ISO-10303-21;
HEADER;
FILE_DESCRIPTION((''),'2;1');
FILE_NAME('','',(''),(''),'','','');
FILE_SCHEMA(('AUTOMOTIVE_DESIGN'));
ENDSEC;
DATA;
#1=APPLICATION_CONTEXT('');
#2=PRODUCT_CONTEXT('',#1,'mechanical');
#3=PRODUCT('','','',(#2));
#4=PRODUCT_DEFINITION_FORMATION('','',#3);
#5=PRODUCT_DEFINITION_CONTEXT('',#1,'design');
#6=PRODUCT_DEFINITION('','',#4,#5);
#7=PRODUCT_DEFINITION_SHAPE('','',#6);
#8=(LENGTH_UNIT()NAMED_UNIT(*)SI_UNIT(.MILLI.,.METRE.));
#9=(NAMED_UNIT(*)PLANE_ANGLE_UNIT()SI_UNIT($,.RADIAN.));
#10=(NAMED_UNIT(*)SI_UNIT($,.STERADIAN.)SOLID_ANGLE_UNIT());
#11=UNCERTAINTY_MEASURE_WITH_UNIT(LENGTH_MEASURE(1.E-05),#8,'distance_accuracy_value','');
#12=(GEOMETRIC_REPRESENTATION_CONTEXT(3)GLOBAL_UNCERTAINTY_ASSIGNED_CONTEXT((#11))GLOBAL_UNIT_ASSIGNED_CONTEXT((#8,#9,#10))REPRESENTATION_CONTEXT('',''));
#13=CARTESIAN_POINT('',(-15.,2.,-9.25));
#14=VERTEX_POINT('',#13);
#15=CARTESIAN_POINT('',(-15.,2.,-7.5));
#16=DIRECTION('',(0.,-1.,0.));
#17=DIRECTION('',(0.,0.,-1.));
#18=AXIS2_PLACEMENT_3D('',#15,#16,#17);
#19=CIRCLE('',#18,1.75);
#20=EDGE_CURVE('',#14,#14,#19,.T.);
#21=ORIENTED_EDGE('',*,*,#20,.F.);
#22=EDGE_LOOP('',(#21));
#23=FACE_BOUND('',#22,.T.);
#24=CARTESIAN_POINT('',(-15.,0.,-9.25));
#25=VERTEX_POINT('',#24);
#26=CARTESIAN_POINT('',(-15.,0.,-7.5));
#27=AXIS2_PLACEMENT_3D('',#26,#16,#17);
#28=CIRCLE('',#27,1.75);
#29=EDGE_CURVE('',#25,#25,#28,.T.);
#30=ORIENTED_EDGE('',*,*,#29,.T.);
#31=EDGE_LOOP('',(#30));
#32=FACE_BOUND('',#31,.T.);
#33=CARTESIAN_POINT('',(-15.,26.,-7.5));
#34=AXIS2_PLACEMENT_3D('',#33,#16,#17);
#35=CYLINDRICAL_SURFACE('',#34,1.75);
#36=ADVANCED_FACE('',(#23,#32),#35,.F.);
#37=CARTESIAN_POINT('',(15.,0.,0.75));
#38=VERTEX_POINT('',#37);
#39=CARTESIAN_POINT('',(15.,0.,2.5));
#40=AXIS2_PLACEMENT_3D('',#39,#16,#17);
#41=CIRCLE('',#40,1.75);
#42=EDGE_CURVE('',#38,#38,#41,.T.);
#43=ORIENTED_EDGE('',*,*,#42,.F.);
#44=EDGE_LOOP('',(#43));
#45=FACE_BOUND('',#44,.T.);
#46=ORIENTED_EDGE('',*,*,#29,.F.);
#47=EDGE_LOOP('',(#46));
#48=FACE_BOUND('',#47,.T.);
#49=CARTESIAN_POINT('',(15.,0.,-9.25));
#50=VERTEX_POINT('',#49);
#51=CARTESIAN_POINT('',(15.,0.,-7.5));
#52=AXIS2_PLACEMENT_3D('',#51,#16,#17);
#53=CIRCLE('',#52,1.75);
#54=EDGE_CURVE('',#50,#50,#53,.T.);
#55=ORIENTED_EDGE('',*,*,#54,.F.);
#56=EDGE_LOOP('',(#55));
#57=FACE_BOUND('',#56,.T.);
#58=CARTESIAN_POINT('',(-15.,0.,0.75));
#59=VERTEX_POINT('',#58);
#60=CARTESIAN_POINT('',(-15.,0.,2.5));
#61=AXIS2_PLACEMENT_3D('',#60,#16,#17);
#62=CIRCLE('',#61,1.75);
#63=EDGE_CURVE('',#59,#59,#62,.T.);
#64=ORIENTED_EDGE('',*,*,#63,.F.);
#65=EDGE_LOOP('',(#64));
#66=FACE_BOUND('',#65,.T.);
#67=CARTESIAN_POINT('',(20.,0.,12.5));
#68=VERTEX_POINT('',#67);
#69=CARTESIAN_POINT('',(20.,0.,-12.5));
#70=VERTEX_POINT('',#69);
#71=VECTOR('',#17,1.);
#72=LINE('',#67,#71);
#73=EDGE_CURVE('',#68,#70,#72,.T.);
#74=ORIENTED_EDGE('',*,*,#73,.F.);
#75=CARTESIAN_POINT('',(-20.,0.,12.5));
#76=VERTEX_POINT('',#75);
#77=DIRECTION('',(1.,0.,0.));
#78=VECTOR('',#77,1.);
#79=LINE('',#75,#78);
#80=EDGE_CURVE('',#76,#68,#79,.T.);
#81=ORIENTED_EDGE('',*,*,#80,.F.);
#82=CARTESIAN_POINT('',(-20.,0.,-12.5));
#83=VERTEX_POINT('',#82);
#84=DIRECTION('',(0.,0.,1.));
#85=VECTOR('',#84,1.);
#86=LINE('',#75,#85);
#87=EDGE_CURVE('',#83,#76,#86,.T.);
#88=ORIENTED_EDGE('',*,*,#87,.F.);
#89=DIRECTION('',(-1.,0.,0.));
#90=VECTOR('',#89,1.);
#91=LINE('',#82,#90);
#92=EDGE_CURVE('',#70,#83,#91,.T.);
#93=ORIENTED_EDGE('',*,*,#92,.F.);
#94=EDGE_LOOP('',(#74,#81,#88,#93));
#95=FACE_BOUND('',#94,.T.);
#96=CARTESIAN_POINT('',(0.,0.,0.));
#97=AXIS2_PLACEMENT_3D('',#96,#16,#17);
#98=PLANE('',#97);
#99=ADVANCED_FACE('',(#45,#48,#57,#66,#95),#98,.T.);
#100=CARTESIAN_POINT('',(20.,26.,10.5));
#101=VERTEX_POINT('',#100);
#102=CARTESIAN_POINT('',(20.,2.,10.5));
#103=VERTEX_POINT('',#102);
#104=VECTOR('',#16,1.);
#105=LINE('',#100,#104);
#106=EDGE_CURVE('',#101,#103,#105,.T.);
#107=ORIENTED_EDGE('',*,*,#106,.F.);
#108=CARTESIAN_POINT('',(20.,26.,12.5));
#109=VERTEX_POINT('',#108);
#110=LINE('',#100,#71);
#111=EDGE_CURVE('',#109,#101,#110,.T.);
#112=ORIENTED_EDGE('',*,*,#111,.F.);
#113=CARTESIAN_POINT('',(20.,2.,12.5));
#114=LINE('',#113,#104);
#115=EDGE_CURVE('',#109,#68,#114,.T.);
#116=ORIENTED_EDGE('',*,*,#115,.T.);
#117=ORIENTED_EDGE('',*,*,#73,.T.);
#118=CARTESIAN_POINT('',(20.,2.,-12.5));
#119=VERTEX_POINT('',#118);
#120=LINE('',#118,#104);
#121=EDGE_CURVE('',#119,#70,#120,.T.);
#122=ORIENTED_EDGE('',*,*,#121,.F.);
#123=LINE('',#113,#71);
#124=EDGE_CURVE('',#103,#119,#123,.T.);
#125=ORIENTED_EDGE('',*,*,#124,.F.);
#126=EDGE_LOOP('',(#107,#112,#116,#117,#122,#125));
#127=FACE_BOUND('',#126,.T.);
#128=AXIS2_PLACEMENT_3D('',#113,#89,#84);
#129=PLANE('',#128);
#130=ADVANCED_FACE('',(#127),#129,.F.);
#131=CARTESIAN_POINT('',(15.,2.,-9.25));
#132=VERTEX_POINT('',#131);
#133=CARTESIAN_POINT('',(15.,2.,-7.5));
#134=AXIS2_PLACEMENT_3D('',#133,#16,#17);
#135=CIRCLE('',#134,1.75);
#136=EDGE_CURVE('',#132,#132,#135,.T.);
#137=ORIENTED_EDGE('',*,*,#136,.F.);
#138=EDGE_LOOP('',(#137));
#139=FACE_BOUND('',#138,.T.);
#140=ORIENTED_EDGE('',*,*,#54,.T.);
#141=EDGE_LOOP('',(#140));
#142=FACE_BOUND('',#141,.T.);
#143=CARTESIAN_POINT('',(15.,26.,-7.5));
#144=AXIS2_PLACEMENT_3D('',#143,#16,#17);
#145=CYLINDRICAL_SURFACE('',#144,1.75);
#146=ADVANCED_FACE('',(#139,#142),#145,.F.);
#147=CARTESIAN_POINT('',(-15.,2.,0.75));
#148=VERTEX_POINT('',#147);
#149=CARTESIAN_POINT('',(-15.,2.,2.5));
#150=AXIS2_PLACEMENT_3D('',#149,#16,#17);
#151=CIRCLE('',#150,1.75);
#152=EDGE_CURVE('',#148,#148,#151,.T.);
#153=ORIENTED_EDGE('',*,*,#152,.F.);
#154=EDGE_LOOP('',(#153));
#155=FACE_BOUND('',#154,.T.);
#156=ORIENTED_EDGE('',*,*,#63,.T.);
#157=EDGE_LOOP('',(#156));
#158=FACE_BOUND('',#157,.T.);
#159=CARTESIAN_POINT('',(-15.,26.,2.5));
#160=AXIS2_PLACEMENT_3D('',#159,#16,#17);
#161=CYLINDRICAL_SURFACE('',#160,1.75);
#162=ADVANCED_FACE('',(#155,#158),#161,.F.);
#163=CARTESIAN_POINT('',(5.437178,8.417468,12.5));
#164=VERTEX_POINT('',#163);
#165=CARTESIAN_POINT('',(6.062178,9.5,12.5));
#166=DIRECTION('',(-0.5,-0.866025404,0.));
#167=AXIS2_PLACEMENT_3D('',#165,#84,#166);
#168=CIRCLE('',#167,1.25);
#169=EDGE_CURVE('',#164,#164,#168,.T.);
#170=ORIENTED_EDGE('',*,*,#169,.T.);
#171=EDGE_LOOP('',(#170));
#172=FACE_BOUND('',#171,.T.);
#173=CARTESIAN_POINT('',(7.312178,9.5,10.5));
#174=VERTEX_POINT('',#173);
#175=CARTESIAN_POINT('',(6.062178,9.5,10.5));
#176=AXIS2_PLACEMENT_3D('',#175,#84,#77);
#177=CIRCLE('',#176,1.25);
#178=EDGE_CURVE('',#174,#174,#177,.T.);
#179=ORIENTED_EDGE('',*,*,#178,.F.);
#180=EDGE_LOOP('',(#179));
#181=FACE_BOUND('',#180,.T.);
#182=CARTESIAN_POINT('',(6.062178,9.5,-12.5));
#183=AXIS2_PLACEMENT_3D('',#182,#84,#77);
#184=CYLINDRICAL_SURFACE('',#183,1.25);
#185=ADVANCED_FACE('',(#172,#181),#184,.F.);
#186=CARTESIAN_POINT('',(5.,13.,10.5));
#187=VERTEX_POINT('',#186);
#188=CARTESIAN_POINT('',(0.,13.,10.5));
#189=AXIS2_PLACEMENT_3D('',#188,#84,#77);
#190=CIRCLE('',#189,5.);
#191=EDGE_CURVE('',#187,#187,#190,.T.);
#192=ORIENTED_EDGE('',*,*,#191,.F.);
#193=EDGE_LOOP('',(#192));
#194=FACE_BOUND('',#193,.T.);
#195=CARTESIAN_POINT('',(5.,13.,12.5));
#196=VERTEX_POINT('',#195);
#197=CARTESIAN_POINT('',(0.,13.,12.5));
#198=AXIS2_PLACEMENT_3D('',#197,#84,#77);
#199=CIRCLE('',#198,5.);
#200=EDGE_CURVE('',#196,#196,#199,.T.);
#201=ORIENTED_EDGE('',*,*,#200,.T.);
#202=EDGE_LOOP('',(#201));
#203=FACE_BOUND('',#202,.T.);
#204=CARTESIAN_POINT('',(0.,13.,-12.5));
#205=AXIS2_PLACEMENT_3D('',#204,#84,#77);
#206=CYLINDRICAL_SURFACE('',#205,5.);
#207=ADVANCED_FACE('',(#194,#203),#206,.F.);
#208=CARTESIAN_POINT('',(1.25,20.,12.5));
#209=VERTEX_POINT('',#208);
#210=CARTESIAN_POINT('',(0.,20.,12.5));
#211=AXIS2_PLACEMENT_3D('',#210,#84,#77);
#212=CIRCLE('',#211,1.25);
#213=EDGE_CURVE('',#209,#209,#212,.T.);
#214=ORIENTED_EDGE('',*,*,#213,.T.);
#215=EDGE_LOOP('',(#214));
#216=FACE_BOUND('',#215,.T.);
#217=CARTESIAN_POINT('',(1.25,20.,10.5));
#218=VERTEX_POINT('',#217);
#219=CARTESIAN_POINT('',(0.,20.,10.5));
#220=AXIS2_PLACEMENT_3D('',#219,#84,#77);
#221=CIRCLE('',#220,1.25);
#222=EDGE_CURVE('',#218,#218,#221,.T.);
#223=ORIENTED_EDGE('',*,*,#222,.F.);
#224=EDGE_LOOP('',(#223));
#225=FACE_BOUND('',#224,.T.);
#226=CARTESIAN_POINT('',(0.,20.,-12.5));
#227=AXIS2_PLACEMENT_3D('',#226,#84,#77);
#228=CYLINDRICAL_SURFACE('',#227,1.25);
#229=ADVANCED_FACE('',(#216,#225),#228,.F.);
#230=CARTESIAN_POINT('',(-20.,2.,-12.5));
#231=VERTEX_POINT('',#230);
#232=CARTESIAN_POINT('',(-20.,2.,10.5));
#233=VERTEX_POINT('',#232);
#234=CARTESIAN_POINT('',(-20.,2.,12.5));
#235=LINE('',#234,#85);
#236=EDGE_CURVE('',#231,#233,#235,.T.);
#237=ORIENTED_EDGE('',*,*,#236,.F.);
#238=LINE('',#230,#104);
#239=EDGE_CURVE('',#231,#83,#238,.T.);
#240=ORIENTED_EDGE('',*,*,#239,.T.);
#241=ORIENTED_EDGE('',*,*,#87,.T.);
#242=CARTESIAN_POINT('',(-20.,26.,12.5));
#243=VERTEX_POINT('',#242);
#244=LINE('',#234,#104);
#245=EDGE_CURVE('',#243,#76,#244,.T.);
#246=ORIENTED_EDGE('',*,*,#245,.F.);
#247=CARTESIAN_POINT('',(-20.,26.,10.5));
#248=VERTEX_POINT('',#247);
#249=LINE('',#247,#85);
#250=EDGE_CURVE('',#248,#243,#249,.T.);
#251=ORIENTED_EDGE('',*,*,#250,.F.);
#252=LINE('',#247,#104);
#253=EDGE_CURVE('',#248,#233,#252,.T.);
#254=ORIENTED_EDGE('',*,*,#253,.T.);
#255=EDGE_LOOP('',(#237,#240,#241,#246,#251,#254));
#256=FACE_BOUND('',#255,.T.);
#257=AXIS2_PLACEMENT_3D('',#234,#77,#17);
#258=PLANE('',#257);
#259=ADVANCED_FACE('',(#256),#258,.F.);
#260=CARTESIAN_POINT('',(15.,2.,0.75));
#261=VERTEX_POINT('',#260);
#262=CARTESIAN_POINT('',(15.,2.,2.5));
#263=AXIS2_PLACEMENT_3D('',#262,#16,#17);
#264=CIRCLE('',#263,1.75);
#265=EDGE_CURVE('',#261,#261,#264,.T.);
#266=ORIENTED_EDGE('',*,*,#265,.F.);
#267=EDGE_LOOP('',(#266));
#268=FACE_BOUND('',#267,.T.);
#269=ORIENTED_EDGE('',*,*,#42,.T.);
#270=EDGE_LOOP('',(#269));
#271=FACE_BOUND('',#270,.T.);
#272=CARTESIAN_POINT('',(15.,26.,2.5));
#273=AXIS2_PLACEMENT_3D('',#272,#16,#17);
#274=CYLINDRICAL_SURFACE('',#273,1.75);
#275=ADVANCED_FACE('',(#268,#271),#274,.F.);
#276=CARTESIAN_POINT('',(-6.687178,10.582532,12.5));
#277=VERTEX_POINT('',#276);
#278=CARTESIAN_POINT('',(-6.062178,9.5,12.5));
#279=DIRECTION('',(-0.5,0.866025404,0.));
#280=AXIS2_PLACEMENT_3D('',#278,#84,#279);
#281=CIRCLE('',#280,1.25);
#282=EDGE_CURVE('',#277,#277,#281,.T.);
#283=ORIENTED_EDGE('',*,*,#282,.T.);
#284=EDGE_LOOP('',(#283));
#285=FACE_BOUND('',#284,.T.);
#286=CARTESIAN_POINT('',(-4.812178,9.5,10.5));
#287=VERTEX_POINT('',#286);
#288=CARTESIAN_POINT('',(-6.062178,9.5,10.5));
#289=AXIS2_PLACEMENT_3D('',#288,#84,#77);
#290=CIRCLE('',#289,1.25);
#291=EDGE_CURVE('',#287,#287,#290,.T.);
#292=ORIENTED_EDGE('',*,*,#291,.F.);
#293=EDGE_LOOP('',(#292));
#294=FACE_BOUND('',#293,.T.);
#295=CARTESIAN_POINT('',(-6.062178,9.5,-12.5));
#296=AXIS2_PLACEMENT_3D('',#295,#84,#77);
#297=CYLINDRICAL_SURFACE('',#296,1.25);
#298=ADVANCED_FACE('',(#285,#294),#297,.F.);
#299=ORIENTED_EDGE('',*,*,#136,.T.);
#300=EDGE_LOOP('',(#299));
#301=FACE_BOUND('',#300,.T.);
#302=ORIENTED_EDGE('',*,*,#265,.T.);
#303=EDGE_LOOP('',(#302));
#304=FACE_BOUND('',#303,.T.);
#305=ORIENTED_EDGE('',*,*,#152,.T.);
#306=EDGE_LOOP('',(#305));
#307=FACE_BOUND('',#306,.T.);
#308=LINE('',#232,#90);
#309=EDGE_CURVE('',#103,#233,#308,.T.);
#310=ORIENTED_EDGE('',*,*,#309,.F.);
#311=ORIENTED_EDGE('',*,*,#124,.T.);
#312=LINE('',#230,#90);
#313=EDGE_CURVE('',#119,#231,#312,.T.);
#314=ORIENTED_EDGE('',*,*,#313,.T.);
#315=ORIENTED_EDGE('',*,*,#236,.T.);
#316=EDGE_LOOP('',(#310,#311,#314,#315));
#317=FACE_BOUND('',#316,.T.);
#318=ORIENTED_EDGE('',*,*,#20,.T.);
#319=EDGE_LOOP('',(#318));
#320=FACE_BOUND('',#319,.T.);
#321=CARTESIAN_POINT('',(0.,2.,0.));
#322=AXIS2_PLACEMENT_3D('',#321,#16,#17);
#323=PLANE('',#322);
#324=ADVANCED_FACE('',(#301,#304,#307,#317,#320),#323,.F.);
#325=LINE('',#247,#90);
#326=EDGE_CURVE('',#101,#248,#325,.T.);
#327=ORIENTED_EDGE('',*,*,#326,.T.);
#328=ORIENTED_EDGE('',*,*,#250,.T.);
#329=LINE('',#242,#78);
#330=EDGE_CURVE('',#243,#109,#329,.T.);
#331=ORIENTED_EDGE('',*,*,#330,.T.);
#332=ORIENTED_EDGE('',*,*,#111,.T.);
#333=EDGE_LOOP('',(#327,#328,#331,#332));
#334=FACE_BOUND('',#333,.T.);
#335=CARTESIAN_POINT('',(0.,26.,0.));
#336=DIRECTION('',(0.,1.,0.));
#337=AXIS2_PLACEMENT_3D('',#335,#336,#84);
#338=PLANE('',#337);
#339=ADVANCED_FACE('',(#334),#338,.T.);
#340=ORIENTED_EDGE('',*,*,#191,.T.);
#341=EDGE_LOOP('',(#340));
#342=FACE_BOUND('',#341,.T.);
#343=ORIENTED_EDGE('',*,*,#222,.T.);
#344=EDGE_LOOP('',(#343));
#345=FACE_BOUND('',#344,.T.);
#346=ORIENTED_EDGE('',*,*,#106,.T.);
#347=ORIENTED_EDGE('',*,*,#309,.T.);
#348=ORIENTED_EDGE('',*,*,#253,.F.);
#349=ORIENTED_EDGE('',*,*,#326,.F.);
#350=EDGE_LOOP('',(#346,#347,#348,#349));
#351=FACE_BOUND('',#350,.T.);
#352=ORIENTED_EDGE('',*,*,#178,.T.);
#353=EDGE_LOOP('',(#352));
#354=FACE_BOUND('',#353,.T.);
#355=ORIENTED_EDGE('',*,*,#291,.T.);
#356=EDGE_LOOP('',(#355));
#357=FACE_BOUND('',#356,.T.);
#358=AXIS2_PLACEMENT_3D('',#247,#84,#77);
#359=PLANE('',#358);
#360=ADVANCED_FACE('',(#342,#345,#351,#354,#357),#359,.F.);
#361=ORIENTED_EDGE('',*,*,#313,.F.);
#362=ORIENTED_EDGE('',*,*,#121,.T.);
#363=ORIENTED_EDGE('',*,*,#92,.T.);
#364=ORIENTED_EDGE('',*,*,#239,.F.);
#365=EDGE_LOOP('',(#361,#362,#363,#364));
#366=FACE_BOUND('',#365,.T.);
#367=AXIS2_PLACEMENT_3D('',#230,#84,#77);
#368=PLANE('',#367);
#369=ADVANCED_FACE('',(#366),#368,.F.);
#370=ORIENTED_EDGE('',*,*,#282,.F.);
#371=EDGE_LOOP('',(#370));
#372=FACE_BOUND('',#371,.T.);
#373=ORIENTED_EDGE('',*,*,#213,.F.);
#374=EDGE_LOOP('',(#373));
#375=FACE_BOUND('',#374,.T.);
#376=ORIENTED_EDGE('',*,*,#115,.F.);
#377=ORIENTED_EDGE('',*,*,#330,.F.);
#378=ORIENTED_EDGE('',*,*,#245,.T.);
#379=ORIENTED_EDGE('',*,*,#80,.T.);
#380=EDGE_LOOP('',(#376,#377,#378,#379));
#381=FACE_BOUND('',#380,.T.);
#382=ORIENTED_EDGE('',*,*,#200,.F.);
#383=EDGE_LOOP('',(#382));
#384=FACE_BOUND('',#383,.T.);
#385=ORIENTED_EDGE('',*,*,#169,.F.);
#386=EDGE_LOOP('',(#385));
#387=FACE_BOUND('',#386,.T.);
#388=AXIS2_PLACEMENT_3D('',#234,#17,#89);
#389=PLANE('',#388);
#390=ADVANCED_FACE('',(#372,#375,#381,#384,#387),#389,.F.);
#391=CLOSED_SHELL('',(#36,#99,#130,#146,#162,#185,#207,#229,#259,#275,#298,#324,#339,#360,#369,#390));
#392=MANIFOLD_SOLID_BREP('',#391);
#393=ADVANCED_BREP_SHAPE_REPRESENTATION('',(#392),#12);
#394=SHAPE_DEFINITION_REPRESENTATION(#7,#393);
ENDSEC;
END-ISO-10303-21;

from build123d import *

# Parameters (mm, degrees)
SKETCH1_W           = 40
SKETCH1_H           = 25
BOSS_EXTRUDE1_DEPTH = 2
SKETCH2_W           = 40
SKETCH2_H           = 2
BOSS_EXTRUDE2_DEPTH = 24
SKETCH3_R           = 1.75
CUT_EXTRUDE1_DEPTH  = 36.103418637
LPATTERN1_COUNT     = 2
LPATTERN1_PITCH     = 10
SKETCH5_R           = 5
CUT_EXTRUDE2_DEPTH  = 42.243181255
SKETCH6_R           = 1.25
CUT_EXTRUDE3_DEPTH  = 42.243181255
CIRPATTERN1_COUNT   = 3


with BuildPart() as part:
    # Sketch1 → Boss-Extrude1 (new body)
    with BuildSketch(Plane(origin=(0, 0, 0), x_dir=(1, 0, 0), z_dir=(0, 1, 0))):
        Rectangle(SKETCH1_W, SKETCH1_H)
    extrude(amount=BOSS_EXTRUDE1_DEPTH)

    # Sketch2 → Boss-Extrude2 (add)
    with BuildSketch(Plane(origin=(0, 2, 0), x_dir=(1, 0, 0), z_dir=(0, 1, 0))):
        with Locations((0, -11.5)):
            Rectangle(SKETCH2_W, SKETCH2_H)
    extrude(amount=BOSS_EXTRUDE2_DEPTH)

    # Sketch3 → Cut-Extrude1 (cut, through all)
    with BuildSketch(Plane.XZ):
        with Locations(Location((-15, -7.5, 0), (0, 0, 270))):
            Circle(SKETCH3_R)
        with Locations(Location((15, -7.5, 0), (0, 0, 270))):
            Circle(SKETCH3_R)
    cut_extrude1 = extrude(amount=-CUT_EXTRUDE1_DEPTH, mode=Mode.SUBTRACT)

    # LPattern1: Cut-Extrude1 ×2
    with Locations(*[(0, 0, i * LPATTERN1_PITCH) for i in range(1, LPATTERN1_COUNT)]):
        add(cut_extrude1, mode=Mode.SUBTRACT)

    # Sketch5 → Cut-Extrude2 (cut, through all)
    with BuildSketch(Plane.XY.offset(12.5)):
        with Locations((0, 13)):
            Circle(SKETCH5_R)
    extrude(amount=-CUT_EXTRUDE2_DEPTH, mode=Mode.SUBTRACT)

    # Sketch6 → Cut-Extrude3 (cut, through all)
    with BuildSketch(Plane.XY.offset(12.5)):
        with Locations((0, 20)):
            Circle(SKETCH6_R)
    cut_extrude3 = extrude(amount=-CUT_EXTRUDE3_DEPTH, mode=Mode.SUBTRACT)

    # CirPattern1: Cut-Extrude3 ×3 about axis
    cirpattern1_axis = Axis((0, 13, 0), (0, 0, 1))
    for i in range(1, CIRPATTERN1_COUNT):
        add(cut_extrude3.rotate(cirpattern1_axis, i * 360 / CIRPATTERN1_COUNT), mode=Mode.SUBTRACT)


solid = part.part
